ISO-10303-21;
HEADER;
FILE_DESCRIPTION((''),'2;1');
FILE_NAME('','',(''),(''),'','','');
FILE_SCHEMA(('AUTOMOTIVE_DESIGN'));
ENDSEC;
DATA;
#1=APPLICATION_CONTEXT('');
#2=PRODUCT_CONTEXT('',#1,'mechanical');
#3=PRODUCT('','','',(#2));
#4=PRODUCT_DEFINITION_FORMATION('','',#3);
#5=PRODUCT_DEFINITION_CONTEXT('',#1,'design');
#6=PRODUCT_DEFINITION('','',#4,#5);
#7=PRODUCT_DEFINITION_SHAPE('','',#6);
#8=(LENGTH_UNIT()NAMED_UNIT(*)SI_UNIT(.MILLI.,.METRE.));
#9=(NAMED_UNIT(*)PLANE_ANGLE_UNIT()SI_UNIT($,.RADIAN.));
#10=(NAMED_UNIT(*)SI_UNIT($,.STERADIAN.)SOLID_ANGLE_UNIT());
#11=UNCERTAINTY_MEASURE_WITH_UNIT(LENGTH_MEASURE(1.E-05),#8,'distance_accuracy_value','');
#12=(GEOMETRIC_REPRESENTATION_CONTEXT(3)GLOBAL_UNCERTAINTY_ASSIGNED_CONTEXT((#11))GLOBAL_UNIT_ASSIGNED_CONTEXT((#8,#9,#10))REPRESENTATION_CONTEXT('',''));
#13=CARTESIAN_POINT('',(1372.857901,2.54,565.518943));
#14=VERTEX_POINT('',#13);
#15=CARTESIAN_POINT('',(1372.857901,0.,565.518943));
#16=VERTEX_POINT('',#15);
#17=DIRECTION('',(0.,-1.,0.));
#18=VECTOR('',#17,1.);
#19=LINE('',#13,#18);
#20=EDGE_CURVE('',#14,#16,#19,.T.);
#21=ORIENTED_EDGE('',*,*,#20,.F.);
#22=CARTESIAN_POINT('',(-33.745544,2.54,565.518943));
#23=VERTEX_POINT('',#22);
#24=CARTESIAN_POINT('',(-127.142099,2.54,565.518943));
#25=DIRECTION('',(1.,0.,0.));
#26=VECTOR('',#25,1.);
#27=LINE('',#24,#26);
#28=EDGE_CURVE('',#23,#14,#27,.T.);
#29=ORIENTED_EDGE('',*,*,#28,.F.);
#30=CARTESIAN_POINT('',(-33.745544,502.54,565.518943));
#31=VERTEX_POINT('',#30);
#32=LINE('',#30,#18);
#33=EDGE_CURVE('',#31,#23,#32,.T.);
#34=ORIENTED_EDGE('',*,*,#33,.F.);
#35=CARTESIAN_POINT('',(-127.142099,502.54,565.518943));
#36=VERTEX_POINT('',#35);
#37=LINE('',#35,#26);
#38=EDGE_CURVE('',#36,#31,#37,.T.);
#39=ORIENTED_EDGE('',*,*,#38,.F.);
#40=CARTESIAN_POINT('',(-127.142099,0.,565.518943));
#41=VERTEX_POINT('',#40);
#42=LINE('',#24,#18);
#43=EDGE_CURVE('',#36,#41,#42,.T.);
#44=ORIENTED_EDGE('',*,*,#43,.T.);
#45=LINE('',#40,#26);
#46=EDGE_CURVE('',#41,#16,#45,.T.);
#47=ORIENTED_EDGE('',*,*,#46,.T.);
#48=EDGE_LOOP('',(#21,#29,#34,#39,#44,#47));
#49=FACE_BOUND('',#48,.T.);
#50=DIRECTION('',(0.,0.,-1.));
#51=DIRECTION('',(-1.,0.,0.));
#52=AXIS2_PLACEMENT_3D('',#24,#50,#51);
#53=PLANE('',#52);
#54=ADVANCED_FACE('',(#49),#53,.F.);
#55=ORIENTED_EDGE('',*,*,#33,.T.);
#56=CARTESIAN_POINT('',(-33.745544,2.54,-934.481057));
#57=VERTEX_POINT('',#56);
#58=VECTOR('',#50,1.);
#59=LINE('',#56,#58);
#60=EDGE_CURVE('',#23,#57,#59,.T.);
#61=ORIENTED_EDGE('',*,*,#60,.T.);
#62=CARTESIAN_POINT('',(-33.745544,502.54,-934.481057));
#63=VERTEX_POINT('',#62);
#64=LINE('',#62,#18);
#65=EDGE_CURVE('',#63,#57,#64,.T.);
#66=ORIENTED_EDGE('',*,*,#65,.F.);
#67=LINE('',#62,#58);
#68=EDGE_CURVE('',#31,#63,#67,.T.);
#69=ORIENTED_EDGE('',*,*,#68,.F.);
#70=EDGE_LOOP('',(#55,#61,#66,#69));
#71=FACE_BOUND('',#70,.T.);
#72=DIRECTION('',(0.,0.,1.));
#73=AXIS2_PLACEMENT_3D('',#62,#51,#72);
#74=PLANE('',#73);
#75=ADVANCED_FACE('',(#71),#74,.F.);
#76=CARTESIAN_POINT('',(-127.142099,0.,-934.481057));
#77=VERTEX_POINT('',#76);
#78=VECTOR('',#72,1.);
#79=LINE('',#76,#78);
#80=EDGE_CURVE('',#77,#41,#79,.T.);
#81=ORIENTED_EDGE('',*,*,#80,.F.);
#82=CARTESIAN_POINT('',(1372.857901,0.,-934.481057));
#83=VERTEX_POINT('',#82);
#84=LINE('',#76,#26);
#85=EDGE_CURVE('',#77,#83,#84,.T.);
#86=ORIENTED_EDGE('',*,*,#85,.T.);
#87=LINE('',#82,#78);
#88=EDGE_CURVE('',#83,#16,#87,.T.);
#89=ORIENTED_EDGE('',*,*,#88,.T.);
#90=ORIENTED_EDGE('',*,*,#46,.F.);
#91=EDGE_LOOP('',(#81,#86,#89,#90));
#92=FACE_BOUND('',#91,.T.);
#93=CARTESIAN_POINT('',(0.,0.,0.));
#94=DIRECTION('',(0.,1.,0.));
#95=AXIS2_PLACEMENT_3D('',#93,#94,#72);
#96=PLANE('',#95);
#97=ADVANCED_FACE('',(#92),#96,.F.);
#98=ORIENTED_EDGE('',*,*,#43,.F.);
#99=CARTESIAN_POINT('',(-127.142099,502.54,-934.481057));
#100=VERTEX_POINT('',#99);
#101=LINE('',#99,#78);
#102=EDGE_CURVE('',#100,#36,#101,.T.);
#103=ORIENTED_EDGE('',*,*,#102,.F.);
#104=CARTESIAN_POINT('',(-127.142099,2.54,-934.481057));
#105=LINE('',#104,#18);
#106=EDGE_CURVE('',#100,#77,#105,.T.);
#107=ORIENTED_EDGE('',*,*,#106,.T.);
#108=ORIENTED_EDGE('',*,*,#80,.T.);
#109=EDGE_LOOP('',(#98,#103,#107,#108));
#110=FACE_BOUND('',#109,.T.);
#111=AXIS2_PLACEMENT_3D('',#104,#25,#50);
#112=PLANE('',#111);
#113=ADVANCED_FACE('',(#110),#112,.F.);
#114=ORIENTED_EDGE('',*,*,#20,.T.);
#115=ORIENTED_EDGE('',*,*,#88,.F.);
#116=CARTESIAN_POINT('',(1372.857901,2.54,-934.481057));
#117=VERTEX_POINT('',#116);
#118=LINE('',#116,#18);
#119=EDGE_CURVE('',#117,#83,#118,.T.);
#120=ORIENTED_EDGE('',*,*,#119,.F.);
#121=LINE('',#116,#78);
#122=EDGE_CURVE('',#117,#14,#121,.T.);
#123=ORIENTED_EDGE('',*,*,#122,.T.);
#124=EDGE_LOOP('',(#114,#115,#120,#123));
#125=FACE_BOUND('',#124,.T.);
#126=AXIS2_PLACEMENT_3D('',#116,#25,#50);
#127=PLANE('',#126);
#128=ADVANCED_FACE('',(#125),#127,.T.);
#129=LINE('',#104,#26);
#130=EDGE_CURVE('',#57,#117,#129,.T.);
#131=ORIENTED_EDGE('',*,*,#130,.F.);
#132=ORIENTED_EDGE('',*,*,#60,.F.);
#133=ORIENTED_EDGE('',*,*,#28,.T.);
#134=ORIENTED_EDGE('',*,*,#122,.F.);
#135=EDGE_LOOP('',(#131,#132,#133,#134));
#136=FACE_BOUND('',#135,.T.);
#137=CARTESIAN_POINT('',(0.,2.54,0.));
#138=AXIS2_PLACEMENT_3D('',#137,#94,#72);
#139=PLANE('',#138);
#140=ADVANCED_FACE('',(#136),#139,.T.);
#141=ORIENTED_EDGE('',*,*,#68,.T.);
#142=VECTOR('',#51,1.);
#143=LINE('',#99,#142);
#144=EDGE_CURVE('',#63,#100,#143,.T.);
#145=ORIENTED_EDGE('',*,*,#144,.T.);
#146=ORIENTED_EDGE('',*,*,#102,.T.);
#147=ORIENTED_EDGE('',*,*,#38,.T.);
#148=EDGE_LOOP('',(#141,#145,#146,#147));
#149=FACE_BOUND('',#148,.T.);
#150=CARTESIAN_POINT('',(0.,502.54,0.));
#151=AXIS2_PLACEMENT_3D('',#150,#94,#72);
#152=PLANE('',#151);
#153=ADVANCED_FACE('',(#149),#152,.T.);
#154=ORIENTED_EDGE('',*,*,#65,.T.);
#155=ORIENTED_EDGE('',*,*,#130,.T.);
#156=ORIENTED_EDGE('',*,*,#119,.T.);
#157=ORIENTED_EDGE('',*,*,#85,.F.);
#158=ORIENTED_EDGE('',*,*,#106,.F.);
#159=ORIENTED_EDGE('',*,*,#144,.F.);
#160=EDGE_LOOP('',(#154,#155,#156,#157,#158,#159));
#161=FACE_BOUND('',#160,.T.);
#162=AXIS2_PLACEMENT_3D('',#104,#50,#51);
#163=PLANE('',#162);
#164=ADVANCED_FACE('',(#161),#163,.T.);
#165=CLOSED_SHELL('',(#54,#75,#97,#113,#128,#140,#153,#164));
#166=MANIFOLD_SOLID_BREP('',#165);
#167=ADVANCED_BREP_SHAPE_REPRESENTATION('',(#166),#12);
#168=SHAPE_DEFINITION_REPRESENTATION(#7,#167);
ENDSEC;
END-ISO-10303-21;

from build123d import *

# Parameters (mm, degrees)
SKETCH1_W           = 1500
SKETCH1_H           = 1500
BOSS_EXTRUDE1_DEPTH = 2.54
SKETCH2_W           = 93.396555276
SKETCH2_H           = 1500
BOSS_EXTRUDE2_DEPTH = 500


with BuildPart() as part:
    # Sketch1 → Boss-Extrude1 (new body)
    with BuildSketch(Plane(origin=(0, 0, 0), x_dir=(1, 0, 0), z_dir=(0, 1, 0))):
        with Locations((622.857901212, 184.481056945)):
            Rectangle(SKETCH1_W, SKETCH1_H)
    extrude(amount=BOSS_EXTRUDE1_DEPTH)

    # Sketch2 → Boss-Extrude2 (add)
    with BuildSketch(Plane(origin=(0, 2.54, 0), x_dir=(1, 0, 0), z_dir=(0, 1, 0))):
        with Locations((-80.44382115, 184.481056945)):
            Rectangle(SKETCH2_W, SKETCH2_H)
    extrude(amount=BOSS_EXTRUDE2_DEPTH)


solid = part.part
